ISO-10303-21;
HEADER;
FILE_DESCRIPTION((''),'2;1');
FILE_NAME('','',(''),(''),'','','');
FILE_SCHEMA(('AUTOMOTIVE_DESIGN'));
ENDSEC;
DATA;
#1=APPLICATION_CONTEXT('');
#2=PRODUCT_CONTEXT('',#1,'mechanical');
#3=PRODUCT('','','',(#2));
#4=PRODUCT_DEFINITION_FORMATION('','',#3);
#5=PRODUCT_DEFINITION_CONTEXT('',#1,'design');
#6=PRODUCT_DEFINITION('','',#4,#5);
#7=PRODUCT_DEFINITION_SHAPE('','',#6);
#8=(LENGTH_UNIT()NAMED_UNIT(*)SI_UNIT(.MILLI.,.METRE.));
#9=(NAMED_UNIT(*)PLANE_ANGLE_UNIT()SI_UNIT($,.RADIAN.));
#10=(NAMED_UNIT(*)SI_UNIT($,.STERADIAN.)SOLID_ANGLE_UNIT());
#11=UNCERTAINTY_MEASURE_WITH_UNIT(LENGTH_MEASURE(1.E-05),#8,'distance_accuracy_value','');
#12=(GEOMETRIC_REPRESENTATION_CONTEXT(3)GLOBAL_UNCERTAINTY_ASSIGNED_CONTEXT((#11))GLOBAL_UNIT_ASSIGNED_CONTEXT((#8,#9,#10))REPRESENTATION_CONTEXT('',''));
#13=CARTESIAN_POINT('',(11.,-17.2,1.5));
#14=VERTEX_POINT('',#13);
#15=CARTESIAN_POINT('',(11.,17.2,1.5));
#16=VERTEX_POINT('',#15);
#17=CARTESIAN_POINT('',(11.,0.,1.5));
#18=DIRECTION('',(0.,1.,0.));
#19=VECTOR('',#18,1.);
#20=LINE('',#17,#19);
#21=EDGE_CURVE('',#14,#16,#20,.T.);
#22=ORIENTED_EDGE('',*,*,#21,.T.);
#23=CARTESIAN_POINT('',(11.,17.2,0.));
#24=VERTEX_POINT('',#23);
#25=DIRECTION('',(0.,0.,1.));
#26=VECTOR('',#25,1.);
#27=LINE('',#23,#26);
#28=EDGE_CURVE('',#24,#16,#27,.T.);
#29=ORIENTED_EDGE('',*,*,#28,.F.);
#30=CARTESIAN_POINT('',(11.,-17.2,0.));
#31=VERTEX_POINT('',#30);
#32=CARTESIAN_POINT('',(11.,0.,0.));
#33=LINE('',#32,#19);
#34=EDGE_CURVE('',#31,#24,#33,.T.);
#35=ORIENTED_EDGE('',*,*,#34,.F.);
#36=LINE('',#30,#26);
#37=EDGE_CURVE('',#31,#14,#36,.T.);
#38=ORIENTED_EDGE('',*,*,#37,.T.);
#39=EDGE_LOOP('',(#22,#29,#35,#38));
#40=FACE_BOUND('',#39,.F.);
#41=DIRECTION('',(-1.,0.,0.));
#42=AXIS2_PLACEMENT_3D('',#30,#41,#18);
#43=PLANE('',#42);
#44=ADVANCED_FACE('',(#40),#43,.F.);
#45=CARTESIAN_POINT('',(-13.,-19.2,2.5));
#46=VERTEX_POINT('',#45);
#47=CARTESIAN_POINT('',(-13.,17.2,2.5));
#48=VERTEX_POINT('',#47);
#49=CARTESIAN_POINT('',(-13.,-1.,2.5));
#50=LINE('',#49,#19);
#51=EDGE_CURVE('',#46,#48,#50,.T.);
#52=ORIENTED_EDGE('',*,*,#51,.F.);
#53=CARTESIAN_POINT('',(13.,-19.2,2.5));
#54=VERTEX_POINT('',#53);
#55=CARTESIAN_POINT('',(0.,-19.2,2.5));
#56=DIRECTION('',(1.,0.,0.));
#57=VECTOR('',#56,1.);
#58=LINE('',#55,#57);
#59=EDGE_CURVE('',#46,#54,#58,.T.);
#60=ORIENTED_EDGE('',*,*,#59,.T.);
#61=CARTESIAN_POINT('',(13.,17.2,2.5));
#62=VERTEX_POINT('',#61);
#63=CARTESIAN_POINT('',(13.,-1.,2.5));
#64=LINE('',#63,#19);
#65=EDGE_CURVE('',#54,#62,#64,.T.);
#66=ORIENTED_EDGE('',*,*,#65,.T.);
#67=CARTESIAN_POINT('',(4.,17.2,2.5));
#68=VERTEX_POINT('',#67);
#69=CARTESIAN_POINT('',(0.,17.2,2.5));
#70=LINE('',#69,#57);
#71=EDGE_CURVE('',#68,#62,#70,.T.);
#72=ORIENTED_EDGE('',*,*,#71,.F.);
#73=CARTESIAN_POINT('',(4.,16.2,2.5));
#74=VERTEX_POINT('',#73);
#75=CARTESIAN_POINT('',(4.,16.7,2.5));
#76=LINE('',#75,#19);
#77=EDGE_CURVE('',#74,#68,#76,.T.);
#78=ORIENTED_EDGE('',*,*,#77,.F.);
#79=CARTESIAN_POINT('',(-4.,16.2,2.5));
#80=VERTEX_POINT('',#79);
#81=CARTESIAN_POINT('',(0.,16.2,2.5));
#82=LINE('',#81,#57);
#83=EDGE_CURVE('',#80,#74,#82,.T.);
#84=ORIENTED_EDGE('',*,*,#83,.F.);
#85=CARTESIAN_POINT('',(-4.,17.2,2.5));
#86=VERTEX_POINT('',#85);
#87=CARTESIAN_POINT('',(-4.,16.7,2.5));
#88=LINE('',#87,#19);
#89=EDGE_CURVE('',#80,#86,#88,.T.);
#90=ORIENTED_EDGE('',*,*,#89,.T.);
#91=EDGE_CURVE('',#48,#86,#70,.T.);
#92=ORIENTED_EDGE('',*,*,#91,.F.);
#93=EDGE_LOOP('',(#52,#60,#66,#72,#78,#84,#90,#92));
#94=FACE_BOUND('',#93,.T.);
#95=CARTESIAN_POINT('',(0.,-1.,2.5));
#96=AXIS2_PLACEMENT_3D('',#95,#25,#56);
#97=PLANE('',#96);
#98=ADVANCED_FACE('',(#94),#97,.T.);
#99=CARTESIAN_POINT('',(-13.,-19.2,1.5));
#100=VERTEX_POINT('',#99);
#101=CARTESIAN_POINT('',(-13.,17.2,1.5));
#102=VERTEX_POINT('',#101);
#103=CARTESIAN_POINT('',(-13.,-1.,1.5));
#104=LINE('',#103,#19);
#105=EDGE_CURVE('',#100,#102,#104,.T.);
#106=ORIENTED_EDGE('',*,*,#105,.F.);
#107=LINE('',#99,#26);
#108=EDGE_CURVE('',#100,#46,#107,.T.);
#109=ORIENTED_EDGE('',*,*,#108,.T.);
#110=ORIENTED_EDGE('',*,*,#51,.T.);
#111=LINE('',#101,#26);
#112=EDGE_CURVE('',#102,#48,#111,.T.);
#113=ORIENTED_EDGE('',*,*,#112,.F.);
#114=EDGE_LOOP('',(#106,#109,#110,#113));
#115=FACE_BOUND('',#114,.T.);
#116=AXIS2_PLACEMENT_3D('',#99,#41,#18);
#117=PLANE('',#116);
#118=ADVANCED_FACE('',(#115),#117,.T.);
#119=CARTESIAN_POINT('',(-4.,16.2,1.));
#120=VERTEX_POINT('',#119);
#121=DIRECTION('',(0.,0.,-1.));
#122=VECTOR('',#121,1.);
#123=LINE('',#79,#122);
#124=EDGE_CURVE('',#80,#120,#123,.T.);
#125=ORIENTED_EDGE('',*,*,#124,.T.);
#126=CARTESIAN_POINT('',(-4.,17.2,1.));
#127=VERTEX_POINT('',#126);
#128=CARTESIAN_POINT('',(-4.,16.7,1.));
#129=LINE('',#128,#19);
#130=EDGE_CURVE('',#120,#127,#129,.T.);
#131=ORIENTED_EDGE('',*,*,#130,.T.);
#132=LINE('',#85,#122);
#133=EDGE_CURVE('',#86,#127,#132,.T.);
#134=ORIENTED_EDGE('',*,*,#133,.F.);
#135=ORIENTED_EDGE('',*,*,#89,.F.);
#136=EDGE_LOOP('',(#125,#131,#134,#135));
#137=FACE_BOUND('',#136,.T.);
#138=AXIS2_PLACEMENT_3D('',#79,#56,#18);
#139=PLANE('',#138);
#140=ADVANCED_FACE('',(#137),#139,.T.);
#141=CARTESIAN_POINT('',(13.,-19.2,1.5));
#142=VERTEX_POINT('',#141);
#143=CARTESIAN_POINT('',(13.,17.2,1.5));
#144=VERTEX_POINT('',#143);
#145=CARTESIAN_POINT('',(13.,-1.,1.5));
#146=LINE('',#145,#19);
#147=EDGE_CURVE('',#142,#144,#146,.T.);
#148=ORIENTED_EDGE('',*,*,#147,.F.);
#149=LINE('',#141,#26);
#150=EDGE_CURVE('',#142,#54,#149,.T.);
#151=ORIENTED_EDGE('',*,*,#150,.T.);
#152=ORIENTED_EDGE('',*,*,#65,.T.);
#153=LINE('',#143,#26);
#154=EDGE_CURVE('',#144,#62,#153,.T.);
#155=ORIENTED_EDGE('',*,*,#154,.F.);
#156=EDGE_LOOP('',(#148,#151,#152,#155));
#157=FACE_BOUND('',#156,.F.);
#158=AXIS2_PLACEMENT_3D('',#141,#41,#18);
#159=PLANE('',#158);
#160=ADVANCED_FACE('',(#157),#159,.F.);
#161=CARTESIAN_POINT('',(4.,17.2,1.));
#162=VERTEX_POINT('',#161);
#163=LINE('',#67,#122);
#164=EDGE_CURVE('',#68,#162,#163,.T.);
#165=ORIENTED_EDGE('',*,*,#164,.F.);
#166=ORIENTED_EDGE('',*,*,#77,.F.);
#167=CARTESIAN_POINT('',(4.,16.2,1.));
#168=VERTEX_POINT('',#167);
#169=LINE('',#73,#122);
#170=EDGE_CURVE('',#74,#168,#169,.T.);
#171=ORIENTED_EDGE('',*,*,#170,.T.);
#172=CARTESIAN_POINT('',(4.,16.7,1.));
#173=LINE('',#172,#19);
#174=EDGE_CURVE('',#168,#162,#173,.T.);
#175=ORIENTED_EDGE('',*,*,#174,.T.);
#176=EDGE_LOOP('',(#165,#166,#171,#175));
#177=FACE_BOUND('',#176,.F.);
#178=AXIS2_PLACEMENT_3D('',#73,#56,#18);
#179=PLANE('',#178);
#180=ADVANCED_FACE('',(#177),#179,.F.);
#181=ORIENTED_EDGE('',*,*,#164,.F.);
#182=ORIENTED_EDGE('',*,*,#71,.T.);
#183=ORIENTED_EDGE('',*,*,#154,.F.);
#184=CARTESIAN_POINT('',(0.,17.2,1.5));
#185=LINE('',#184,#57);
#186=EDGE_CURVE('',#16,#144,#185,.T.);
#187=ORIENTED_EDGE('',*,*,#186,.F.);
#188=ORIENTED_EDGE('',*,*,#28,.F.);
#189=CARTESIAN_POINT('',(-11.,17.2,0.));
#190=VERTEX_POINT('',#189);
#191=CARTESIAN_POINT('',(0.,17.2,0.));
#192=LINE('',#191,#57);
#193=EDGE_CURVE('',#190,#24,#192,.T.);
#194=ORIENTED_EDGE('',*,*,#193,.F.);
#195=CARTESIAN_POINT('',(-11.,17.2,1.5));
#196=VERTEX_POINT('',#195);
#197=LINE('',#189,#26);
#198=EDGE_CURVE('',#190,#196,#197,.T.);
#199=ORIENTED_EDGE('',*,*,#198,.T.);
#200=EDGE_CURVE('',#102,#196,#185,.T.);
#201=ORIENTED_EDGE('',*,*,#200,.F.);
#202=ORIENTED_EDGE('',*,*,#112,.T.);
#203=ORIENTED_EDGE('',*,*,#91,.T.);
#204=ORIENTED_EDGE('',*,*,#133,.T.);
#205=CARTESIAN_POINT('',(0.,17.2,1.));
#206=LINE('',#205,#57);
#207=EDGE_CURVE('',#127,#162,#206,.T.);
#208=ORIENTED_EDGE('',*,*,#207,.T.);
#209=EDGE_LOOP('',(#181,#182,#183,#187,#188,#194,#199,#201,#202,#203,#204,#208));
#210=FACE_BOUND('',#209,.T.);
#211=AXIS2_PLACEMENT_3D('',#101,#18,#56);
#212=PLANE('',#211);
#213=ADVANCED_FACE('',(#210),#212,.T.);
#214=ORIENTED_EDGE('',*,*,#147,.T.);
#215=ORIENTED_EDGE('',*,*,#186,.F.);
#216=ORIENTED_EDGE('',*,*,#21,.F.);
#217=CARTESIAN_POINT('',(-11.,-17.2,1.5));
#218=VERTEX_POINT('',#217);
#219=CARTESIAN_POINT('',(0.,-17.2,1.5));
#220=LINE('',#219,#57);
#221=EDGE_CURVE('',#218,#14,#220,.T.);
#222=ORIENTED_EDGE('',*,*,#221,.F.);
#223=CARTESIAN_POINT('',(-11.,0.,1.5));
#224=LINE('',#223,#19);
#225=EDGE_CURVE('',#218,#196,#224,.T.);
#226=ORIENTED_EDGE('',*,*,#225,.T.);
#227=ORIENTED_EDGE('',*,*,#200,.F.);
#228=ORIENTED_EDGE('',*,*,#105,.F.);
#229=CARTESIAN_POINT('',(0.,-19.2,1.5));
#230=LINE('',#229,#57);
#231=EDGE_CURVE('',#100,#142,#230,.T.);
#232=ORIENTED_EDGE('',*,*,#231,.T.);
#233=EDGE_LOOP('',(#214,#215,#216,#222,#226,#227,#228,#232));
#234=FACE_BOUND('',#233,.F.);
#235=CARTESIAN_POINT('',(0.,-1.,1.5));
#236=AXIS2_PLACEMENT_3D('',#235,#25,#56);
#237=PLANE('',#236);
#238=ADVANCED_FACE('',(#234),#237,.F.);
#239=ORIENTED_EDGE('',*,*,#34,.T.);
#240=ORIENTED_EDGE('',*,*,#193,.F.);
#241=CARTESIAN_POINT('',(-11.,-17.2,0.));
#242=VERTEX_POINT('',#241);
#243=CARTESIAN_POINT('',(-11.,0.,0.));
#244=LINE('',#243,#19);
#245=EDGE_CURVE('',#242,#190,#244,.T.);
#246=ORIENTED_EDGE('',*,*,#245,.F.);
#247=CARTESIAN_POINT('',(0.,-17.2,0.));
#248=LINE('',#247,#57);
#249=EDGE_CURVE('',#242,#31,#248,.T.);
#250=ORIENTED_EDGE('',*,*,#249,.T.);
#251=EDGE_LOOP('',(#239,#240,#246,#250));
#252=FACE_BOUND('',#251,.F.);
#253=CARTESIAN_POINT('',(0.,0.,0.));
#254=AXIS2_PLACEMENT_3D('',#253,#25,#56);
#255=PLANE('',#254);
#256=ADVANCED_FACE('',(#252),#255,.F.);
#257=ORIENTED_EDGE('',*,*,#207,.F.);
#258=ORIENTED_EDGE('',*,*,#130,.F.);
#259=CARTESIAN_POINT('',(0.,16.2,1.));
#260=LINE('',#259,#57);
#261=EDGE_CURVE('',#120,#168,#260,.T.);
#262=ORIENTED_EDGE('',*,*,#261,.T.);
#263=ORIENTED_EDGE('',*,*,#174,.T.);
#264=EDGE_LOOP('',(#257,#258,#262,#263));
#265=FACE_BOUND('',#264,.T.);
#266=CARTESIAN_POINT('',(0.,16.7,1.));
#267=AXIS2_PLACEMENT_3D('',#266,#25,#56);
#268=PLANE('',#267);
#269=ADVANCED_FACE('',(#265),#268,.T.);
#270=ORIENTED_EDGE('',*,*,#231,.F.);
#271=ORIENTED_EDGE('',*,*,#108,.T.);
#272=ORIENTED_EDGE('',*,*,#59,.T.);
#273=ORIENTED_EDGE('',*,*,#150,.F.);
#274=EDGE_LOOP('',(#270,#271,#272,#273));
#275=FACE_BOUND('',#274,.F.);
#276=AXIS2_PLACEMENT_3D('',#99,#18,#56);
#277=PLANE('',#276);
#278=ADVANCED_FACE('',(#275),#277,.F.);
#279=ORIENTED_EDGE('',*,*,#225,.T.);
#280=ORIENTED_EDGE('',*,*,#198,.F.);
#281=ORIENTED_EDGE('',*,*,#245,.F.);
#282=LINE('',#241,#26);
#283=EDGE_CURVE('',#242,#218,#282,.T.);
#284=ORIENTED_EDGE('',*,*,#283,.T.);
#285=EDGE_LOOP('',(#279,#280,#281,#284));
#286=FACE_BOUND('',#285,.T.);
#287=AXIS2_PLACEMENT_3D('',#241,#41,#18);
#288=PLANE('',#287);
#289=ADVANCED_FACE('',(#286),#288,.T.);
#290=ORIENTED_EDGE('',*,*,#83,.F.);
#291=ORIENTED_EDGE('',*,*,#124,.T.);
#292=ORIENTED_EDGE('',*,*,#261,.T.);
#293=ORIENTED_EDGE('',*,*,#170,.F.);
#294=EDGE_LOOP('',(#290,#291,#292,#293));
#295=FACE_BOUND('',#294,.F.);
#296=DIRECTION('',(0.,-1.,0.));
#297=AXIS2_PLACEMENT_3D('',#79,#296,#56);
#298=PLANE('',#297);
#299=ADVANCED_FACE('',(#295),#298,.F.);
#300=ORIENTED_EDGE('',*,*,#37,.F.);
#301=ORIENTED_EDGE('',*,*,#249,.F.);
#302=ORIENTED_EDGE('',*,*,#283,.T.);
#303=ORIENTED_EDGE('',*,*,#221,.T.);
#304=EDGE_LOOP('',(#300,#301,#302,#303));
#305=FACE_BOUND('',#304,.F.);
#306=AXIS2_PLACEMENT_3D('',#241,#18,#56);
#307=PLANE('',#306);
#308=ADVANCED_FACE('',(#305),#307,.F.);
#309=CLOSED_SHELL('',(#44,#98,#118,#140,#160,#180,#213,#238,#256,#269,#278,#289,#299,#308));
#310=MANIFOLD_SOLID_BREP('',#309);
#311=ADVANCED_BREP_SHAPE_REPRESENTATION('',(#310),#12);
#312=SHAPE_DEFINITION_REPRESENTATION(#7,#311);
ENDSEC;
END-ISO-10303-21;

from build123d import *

# Parameters (mm, degrees)
SKETCH_W     = 22
SKETCH_H     = 34.4
PAD_DEPTH    = 1.5
SKETCH001_W  = 26
SKETCH001_H  = 36.4
PAD001_DEPTH = 1
SKETCH002_W  = 8
SKETCH002_H  = 1
POCKET_DEPTH = 1.5


with BuildPart() as part:
    # Sketch → Pad (new body)
    with BuildSketch(Plane.XY):
        Rectangle(SKETCH_W, SKETCH_H)
    extrude(amount=PAD_DEPTH)

    # Sketch001 (on Face6 of Pad) → Pad001 (join)
    with BuildSketch(Plane.XY.offset(1.5)):
        with Locations((0, -1)):
            Rectangle(SKETCH001_W, SKETCH001_H)
    extrude(amount=PAD001_DEPTH)

    # Sketch002 (on Face11 of Pad001) → Pocket (cut)
    with BuildSketch(Plane.XY.offset(2.5)):
        with Locations((0, 16.7)):
            Rectangle(SKETCH002_W, SKETCH002_H)
    extrude(amount=-POCKET_DEPTH, mode=Mode.SUBTRACT)


solid = part.part
